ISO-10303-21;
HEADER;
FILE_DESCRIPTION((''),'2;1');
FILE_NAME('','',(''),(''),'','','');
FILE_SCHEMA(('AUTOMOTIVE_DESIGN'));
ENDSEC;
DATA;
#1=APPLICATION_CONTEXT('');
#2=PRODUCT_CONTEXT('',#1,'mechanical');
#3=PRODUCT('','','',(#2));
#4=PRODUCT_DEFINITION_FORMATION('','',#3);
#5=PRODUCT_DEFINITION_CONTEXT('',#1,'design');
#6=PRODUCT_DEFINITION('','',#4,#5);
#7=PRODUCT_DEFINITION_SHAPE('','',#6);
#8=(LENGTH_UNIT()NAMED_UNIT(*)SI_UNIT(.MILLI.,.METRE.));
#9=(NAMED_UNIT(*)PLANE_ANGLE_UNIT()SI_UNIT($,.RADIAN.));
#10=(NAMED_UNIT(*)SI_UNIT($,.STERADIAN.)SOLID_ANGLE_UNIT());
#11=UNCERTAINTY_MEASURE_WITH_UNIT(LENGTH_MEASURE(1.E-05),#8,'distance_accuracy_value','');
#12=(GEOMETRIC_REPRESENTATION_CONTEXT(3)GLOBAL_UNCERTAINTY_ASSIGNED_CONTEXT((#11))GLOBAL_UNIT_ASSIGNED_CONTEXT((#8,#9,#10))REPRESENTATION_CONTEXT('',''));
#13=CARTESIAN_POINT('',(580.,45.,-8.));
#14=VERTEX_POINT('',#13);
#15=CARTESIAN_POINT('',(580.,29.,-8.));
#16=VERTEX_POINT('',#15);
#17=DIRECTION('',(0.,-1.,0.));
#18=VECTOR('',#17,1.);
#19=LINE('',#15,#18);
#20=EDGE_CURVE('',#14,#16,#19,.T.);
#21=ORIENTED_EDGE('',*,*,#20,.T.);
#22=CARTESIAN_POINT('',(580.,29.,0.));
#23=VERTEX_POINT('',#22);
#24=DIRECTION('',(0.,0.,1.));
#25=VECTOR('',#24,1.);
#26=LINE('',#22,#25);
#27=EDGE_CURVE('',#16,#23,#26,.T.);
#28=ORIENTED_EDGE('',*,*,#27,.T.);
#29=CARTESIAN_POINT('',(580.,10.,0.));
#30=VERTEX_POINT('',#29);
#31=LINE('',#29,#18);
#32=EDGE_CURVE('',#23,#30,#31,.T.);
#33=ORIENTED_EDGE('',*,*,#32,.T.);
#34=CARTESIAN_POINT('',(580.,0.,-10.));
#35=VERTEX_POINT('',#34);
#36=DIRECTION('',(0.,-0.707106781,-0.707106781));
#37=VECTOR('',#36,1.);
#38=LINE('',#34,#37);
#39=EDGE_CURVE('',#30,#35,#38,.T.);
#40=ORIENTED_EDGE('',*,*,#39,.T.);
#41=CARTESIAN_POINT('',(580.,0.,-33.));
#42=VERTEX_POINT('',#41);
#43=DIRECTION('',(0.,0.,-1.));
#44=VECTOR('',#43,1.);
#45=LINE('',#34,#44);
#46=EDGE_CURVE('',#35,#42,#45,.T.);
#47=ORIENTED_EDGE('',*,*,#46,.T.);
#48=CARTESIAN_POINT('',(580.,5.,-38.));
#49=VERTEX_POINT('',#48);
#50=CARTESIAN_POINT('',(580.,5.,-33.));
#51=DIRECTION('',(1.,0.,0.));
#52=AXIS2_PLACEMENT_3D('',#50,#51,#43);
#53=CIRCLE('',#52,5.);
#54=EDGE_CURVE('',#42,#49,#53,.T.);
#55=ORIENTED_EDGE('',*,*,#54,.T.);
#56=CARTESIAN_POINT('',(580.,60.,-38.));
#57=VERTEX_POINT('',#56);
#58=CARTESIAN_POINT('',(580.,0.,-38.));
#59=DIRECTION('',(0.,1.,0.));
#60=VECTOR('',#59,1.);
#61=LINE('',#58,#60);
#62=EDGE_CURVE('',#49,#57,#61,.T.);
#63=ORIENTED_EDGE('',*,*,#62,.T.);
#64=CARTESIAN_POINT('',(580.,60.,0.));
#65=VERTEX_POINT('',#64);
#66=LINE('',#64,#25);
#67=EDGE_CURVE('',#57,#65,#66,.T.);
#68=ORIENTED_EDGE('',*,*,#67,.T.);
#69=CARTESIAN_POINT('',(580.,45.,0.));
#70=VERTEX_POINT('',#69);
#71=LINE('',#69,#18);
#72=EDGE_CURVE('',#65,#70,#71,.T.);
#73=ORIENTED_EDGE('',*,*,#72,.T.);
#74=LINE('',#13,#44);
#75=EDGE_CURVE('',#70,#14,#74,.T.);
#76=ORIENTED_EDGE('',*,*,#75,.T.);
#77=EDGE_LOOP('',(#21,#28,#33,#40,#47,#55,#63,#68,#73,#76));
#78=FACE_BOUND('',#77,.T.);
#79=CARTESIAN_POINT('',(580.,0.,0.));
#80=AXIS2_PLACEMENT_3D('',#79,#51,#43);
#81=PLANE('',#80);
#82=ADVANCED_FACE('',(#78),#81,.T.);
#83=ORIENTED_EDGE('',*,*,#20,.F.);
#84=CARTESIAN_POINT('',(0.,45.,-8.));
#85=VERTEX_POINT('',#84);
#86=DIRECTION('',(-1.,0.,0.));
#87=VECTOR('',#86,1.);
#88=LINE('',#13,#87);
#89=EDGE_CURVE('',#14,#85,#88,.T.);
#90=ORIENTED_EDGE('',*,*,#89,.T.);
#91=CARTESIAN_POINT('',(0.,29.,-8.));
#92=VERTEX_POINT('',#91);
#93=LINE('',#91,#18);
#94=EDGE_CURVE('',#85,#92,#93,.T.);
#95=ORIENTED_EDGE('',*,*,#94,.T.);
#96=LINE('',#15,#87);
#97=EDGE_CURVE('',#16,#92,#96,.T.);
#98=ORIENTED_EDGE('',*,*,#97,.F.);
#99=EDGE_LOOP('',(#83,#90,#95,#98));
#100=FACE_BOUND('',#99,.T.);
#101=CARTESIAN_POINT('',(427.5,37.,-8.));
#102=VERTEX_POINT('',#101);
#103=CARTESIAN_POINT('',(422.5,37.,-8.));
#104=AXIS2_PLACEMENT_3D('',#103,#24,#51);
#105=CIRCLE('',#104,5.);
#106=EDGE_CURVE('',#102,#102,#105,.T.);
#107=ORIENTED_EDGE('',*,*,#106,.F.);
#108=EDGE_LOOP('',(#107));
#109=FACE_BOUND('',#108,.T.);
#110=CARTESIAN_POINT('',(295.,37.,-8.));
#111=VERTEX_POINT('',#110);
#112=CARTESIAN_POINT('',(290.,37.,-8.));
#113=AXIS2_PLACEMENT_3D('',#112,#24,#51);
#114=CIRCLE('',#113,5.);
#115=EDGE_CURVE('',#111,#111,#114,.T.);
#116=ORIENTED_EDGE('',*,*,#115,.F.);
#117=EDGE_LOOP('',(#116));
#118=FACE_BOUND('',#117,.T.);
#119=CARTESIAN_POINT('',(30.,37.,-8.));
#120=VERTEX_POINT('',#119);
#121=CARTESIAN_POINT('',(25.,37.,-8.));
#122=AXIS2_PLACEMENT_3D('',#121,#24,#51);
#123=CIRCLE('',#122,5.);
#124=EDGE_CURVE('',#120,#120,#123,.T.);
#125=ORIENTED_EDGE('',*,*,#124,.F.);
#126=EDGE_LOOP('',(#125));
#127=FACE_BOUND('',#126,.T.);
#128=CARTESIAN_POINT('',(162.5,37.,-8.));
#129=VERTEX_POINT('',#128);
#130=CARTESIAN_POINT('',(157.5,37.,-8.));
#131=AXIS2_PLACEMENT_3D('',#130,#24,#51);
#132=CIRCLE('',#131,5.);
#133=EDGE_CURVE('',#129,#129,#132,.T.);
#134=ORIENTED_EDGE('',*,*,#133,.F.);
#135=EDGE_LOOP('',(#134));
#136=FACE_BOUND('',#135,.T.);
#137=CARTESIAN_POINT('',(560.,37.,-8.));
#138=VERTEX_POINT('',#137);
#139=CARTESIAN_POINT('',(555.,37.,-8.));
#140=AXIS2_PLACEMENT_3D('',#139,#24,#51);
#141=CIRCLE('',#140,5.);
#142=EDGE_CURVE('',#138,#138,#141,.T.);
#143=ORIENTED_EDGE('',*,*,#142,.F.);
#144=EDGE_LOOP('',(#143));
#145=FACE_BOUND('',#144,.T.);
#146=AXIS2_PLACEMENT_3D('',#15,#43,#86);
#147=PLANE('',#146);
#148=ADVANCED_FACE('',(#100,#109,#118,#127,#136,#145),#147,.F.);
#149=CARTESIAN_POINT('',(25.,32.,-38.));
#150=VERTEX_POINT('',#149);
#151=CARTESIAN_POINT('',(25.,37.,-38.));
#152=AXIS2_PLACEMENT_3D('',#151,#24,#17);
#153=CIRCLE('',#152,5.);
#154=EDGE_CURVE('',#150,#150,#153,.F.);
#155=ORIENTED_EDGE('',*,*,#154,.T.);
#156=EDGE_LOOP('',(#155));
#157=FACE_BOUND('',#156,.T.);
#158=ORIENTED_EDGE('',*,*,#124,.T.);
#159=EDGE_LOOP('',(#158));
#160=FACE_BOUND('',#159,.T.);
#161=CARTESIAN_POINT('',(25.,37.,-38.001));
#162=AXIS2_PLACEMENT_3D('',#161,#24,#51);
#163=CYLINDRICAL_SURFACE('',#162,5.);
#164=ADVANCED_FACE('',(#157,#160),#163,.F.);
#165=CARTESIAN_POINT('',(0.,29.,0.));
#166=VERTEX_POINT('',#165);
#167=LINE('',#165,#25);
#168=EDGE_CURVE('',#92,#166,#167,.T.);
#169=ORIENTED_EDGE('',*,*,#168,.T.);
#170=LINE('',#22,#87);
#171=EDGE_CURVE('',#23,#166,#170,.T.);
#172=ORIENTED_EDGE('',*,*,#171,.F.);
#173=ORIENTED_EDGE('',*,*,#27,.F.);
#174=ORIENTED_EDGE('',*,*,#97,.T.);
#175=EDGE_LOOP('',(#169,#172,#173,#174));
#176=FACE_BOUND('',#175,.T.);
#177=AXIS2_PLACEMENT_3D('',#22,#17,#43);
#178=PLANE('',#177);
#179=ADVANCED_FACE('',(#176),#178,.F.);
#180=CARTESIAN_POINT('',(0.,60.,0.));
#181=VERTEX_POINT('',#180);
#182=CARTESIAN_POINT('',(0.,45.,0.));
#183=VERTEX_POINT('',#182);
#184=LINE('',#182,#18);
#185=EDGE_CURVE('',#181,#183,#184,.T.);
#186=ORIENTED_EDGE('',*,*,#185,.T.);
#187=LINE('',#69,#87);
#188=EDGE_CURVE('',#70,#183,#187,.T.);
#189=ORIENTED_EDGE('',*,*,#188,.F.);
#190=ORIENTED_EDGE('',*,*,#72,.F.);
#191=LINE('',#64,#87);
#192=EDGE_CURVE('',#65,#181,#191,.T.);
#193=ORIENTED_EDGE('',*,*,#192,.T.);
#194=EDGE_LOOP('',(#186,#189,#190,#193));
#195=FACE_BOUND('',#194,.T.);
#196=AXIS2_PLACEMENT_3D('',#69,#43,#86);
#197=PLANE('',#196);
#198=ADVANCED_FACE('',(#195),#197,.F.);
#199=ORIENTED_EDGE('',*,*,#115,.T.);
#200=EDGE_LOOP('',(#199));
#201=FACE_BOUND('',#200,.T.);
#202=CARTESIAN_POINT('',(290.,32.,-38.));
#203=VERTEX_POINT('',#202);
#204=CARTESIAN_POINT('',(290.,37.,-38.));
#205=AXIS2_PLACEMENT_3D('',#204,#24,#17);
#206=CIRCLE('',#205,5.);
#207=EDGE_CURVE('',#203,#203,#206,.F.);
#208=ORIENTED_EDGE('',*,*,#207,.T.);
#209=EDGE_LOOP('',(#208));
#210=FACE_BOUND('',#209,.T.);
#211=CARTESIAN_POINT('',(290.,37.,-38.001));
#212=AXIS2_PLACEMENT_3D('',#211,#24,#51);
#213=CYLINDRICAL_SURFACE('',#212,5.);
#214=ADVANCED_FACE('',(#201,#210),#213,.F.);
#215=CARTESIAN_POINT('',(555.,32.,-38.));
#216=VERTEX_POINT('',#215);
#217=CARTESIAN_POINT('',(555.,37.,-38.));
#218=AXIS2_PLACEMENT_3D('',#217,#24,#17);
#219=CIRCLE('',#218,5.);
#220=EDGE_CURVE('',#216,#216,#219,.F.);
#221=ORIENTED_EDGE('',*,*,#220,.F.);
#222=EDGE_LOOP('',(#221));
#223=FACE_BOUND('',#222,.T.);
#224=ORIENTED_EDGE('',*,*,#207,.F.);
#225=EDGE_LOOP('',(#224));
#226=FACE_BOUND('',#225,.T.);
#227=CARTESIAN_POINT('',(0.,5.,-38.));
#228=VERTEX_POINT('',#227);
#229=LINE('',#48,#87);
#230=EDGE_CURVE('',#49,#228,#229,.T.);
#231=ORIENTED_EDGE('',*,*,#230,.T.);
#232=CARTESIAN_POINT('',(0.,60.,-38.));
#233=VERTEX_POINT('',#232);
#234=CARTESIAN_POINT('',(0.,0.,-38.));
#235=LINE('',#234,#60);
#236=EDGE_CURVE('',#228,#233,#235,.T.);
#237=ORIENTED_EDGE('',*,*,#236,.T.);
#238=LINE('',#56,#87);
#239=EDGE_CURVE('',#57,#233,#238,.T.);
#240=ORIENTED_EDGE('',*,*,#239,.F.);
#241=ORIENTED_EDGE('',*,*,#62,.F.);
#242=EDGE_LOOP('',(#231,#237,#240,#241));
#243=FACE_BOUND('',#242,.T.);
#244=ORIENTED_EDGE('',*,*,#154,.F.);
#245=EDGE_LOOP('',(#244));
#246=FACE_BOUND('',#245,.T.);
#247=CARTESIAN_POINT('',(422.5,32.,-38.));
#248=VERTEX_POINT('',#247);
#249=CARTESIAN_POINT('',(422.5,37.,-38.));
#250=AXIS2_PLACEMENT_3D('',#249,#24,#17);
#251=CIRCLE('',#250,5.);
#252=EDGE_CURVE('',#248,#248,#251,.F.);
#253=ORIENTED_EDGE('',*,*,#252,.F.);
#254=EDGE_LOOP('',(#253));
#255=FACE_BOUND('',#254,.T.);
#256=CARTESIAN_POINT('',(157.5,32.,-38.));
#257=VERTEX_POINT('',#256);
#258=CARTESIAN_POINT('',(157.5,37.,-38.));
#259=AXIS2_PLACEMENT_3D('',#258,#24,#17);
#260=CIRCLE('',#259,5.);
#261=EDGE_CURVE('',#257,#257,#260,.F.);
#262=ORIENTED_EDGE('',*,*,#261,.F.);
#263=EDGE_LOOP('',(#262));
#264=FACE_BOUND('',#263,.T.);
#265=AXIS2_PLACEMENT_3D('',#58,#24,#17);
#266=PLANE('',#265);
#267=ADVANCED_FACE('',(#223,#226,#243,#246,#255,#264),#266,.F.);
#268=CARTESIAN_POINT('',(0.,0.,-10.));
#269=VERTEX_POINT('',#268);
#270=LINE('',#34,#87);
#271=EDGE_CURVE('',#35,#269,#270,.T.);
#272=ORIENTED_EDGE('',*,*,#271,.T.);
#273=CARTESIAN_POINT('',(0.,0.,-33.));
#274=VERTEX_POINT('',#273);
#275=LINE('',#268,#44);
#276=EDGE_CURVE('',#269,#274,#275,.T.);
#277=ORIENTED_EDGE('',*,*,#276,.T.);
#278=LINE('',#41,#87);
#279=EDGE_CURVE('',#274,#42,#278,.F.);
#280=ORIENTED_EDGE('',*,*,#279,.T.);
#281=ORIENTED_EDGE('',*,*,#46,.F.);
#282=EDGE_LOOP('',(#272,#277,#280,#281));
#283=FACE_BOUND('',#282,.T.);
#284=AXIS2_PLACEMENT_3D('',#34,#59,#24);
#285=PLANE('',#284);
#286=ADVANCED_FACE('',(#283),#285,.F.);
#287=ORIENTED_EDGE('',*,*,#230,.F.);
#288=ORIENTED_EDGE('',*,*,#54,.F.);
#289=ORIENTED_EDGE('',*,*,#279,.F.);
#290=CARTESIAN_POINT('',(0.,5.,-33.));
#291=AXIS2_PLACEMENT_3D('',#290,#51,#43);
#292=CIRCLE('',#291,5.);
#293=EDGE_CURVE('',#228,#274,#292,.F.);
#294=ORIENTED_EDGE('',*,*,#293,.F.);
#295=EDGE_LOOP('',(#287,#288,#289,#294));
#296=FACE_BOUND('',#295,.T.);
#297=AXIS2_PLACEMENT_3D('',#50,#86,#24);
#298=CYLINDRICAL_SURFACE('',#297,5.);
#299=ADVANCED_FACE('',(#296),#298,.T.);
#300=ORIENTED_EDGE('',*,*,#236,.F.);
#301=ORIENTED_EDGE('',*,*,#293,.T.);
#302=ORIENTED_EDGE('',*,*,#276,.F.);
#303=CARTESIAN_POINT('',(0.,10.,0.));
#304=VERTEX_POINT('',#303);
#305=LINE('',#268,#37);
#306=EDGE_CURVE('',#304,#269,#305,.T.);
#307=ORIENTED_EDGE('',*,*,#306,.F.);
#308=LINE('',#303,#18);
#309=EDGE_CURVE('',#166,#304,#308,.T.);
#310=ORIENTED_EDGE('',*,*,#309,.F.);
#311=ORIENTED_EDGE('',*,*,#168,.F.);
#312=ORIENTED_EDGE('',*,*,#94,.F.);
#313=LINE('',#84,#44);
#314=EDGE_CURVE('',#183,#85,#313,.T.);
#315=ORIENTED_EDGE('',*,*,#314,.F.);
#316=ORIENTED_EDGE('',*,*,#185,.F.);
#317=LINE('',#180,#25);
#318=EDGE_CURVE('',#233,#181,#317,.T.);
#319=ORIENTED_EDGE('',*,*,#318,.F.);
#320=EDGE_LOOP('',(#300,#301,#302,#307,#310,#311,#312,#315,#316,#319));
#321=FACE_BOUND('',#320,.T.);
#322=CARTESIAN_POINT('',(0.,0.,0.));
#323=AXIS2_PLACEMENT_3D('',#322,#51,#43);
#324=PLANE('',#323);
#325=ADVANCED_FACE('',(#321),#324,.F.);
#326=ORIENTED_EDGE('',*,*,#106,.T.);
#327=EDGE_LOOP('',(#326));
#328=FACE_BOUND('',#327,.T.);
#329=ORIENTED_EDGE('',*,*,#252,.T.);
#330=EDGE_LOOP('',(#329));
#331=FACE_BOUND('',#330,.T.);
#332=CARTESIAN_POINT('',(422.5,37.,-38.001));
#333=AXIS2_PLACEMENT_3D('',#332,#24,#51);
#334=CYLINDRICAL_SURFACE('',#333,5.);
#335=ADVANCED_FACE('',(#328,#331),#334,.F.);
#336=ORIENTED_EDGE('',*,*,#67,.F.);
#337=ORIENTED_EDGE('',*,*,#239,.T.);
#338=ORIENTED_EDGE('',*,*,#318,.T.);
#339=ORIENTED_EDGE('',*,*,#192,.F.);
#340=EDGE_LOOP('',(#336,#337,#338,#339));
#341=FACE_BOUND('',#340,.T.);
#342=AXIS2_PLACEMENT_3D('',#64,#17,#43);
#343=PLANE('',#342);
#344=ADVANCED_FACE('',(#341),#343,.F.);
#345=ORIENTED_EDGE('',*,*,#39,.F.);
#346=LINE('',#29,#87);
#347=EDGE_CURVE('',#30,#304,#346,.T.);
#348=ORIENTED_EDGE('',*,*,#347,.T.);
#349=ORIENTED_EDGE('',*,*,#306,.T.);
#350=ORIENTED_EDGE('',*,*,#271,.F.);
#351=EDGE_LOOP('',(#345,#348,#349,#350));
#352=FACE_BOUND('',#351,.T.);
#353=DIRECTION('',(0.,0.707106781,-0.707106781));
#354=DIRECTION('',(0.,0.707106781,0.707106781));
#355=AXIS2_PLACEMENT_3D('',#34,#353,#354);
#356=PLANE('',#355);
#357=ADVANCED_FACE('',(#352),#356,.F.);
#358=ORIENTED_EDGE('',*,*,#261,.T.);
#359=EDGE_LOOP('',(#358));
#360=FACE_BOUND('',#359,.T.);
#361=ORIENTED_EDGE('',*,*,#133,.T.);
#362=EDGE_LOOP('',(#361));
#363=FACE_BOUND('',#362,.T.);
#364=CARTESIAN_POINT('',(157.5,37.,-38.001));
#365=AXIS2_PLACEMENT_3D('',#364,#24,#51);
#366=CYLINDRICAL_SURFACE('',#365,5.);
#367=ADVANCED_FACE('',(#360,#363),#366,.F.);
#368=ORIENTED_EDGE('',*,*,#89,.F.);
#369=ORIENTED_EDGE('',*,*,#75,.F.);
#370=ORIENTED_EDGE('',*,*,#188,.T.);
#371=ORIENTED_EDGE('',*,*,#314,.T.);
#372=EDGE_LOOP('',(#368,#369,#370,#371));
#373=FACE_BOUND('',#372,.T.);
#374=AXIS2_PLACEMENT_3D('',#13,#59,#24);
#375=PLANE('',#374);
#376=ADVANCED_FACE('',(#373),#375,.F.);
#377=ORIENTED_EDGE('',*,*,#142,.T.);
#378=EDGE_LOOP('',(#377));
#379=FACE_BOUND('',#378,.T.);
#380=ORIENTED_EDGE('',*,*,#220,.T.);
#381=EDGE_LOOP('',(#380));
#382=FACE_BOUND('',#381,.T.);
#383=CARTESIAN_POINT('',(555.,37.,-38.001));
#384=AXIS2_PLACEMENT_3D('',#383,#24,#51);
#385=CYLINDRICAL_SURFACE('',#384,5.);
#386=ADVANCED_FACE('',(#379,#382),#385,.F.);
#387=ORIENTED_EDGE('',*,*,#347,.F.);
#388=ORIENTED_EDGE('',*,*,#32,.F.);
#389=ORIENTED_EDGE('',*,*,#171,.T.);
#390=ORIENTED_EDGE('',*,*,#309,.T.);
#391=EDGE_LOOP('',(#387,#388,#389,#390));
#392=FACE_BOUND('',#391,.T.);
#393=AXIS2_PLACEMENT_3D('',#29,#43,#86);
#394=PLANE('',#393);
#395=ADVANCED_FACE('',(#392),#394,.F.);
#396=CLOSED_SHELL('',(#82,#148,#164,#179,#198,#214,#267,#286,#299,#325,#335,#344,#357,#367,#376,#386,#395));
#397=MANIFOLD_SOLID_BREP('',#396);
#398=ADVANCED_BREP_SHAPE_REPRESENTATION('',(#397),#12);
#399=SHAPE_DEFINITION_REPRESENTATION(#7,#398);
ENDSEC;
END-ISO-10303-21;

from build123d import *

# Parameters (mm, degrees)
SALIENTE_EXTRUIR1_DEPTH = 580
REDONDEO1_R             = 5
CORTAR_EXTRUIR1_REACH   = 585.866
CROQUIS2_R              = 5


with BuildPart() as part:
    # Croquis1 → Saliente-Extruir1 (new body)
    with BuildSketch(Plane(origin=(0, 0, 0), x_dir=(0, 0, -1), z_dir=(1, 0, 0))):
        Polygon((10, 0), (0, 10), (0, 29), (8, 29), (8, 45), (0, 45), (0, 60), (38, 60), (38, 0), align=None)
    extrude(amount=SALIENTE_EXTRUIR1_DEPTH)

    # Redondeo1
    redondeo1_edges = [part.edges().sort_by_distance(p)[0] for p in [
        (290, 0, -38),
    ]]
    fillet(redondeo1_edges, radius=REDONDEO1_R)

    # Croquis2 → Cortar-Extruir1 (cut, up to next)
    with BuildSketch(Plane.XY.offset(-8), mode=Mode.PRIVATE) as cortar_extruir1_sk1:
        with Locations((25, 37)):
            Circle(CROQUIS2_R)
    cortar_extruir1_tool1 = extrude(cortar_extruir1_sk1.sketch, amount=-CORTAR_EXTRUIR1_REACH, mode=Mode.PRIVATE) & part.part
    # Croquis2 → Cortar-Extruir1 (cut, up to next)
    with BuildSketch(Plane.XY.offset(-8), mode=Mode.PRIVATE) as cortar_extruir1_sk2:
        with Locations((157.5, 37)):
            Circle(CROQUIS2_R)
    cortar_extruir1_tool2 = extrude(cortar_extruir1_sk2.sketch, amount=-CORTAR_EXTRUIR1_REACH, mode=Mode.PRIVATE) & part.part
    # Croquis2 → Cortar-Extruir1 (cut, up to next)
    with BuildSketch(Plane.XY.offset(-8), mode=Mode.PRIVATE) as cortar_extruir1_sk3:
        with Locations((555, 37)):
            Circle(CROQUIS2_R)
    cortar_extruir1_tool3 = extrude(cortar_extruir1_sk3.sketch, amount=-CORTAR_EXTRUIR1_REACH, mode=Mode.PRIVATE) & part.part
    # Croquis2 → Cortar-Extruir1 (cut, up to next)
    with BuildSketch(Plane.XY.offset(-8), mode=Mode.PRIVATE) as cortar_extruir1_sk4:
        with Locations((290, 37)):
            Circle(CROQUIS2_R)
    cortar_extruir1_tool4 = extrude(cortar_extruir1_sk4.sketch, amount=-CORTAR_EXTRUIR1_REACH, mode=Mode.PRIVATE) & part.part
    # Croquis2 → Cortar-Extruir1 (cut, up to next)
    with BuildSketch(Plane.XY.offset(-8), mode=Mode.PRIVATE) as cortar_extruir1_sk5:
        with Locations((422.5, 37)):
            Circle(CROQUIS2_R)
    cortar_extruir1_tool5 = extrude(cortar_extruir1_sk5.sketch, amount=-CORTAR_EXTRUIR1_REACH, mode=Mode.PRIVATE) & part.part
    add(cortar_extruir1_tool1.solids().sort_by_distance((25, 37, -8))[0], mode=Mode.SUBTRACT)
    add(cortar_extruir1_tool2.solids().sort_by_distance((157.5, 37, -8))[0], mode=Mode.SUBTRACT)
    add(cortar_extruir1_tool3.solids().sort_by_distance((555, 37, -8))[0], mode=Mode.SUBTRACT)
    add(cortar_extruir1_tool4.solids().sort_by_distance((290, 37, -8))[0], mode=Mode.SUBTRACT)
    add(cortar_extruir1_tool5.solids().sort_by_distance((422.5, 37, -8))[0], mode=Mode.SUBTRACT)


solid = part.part
